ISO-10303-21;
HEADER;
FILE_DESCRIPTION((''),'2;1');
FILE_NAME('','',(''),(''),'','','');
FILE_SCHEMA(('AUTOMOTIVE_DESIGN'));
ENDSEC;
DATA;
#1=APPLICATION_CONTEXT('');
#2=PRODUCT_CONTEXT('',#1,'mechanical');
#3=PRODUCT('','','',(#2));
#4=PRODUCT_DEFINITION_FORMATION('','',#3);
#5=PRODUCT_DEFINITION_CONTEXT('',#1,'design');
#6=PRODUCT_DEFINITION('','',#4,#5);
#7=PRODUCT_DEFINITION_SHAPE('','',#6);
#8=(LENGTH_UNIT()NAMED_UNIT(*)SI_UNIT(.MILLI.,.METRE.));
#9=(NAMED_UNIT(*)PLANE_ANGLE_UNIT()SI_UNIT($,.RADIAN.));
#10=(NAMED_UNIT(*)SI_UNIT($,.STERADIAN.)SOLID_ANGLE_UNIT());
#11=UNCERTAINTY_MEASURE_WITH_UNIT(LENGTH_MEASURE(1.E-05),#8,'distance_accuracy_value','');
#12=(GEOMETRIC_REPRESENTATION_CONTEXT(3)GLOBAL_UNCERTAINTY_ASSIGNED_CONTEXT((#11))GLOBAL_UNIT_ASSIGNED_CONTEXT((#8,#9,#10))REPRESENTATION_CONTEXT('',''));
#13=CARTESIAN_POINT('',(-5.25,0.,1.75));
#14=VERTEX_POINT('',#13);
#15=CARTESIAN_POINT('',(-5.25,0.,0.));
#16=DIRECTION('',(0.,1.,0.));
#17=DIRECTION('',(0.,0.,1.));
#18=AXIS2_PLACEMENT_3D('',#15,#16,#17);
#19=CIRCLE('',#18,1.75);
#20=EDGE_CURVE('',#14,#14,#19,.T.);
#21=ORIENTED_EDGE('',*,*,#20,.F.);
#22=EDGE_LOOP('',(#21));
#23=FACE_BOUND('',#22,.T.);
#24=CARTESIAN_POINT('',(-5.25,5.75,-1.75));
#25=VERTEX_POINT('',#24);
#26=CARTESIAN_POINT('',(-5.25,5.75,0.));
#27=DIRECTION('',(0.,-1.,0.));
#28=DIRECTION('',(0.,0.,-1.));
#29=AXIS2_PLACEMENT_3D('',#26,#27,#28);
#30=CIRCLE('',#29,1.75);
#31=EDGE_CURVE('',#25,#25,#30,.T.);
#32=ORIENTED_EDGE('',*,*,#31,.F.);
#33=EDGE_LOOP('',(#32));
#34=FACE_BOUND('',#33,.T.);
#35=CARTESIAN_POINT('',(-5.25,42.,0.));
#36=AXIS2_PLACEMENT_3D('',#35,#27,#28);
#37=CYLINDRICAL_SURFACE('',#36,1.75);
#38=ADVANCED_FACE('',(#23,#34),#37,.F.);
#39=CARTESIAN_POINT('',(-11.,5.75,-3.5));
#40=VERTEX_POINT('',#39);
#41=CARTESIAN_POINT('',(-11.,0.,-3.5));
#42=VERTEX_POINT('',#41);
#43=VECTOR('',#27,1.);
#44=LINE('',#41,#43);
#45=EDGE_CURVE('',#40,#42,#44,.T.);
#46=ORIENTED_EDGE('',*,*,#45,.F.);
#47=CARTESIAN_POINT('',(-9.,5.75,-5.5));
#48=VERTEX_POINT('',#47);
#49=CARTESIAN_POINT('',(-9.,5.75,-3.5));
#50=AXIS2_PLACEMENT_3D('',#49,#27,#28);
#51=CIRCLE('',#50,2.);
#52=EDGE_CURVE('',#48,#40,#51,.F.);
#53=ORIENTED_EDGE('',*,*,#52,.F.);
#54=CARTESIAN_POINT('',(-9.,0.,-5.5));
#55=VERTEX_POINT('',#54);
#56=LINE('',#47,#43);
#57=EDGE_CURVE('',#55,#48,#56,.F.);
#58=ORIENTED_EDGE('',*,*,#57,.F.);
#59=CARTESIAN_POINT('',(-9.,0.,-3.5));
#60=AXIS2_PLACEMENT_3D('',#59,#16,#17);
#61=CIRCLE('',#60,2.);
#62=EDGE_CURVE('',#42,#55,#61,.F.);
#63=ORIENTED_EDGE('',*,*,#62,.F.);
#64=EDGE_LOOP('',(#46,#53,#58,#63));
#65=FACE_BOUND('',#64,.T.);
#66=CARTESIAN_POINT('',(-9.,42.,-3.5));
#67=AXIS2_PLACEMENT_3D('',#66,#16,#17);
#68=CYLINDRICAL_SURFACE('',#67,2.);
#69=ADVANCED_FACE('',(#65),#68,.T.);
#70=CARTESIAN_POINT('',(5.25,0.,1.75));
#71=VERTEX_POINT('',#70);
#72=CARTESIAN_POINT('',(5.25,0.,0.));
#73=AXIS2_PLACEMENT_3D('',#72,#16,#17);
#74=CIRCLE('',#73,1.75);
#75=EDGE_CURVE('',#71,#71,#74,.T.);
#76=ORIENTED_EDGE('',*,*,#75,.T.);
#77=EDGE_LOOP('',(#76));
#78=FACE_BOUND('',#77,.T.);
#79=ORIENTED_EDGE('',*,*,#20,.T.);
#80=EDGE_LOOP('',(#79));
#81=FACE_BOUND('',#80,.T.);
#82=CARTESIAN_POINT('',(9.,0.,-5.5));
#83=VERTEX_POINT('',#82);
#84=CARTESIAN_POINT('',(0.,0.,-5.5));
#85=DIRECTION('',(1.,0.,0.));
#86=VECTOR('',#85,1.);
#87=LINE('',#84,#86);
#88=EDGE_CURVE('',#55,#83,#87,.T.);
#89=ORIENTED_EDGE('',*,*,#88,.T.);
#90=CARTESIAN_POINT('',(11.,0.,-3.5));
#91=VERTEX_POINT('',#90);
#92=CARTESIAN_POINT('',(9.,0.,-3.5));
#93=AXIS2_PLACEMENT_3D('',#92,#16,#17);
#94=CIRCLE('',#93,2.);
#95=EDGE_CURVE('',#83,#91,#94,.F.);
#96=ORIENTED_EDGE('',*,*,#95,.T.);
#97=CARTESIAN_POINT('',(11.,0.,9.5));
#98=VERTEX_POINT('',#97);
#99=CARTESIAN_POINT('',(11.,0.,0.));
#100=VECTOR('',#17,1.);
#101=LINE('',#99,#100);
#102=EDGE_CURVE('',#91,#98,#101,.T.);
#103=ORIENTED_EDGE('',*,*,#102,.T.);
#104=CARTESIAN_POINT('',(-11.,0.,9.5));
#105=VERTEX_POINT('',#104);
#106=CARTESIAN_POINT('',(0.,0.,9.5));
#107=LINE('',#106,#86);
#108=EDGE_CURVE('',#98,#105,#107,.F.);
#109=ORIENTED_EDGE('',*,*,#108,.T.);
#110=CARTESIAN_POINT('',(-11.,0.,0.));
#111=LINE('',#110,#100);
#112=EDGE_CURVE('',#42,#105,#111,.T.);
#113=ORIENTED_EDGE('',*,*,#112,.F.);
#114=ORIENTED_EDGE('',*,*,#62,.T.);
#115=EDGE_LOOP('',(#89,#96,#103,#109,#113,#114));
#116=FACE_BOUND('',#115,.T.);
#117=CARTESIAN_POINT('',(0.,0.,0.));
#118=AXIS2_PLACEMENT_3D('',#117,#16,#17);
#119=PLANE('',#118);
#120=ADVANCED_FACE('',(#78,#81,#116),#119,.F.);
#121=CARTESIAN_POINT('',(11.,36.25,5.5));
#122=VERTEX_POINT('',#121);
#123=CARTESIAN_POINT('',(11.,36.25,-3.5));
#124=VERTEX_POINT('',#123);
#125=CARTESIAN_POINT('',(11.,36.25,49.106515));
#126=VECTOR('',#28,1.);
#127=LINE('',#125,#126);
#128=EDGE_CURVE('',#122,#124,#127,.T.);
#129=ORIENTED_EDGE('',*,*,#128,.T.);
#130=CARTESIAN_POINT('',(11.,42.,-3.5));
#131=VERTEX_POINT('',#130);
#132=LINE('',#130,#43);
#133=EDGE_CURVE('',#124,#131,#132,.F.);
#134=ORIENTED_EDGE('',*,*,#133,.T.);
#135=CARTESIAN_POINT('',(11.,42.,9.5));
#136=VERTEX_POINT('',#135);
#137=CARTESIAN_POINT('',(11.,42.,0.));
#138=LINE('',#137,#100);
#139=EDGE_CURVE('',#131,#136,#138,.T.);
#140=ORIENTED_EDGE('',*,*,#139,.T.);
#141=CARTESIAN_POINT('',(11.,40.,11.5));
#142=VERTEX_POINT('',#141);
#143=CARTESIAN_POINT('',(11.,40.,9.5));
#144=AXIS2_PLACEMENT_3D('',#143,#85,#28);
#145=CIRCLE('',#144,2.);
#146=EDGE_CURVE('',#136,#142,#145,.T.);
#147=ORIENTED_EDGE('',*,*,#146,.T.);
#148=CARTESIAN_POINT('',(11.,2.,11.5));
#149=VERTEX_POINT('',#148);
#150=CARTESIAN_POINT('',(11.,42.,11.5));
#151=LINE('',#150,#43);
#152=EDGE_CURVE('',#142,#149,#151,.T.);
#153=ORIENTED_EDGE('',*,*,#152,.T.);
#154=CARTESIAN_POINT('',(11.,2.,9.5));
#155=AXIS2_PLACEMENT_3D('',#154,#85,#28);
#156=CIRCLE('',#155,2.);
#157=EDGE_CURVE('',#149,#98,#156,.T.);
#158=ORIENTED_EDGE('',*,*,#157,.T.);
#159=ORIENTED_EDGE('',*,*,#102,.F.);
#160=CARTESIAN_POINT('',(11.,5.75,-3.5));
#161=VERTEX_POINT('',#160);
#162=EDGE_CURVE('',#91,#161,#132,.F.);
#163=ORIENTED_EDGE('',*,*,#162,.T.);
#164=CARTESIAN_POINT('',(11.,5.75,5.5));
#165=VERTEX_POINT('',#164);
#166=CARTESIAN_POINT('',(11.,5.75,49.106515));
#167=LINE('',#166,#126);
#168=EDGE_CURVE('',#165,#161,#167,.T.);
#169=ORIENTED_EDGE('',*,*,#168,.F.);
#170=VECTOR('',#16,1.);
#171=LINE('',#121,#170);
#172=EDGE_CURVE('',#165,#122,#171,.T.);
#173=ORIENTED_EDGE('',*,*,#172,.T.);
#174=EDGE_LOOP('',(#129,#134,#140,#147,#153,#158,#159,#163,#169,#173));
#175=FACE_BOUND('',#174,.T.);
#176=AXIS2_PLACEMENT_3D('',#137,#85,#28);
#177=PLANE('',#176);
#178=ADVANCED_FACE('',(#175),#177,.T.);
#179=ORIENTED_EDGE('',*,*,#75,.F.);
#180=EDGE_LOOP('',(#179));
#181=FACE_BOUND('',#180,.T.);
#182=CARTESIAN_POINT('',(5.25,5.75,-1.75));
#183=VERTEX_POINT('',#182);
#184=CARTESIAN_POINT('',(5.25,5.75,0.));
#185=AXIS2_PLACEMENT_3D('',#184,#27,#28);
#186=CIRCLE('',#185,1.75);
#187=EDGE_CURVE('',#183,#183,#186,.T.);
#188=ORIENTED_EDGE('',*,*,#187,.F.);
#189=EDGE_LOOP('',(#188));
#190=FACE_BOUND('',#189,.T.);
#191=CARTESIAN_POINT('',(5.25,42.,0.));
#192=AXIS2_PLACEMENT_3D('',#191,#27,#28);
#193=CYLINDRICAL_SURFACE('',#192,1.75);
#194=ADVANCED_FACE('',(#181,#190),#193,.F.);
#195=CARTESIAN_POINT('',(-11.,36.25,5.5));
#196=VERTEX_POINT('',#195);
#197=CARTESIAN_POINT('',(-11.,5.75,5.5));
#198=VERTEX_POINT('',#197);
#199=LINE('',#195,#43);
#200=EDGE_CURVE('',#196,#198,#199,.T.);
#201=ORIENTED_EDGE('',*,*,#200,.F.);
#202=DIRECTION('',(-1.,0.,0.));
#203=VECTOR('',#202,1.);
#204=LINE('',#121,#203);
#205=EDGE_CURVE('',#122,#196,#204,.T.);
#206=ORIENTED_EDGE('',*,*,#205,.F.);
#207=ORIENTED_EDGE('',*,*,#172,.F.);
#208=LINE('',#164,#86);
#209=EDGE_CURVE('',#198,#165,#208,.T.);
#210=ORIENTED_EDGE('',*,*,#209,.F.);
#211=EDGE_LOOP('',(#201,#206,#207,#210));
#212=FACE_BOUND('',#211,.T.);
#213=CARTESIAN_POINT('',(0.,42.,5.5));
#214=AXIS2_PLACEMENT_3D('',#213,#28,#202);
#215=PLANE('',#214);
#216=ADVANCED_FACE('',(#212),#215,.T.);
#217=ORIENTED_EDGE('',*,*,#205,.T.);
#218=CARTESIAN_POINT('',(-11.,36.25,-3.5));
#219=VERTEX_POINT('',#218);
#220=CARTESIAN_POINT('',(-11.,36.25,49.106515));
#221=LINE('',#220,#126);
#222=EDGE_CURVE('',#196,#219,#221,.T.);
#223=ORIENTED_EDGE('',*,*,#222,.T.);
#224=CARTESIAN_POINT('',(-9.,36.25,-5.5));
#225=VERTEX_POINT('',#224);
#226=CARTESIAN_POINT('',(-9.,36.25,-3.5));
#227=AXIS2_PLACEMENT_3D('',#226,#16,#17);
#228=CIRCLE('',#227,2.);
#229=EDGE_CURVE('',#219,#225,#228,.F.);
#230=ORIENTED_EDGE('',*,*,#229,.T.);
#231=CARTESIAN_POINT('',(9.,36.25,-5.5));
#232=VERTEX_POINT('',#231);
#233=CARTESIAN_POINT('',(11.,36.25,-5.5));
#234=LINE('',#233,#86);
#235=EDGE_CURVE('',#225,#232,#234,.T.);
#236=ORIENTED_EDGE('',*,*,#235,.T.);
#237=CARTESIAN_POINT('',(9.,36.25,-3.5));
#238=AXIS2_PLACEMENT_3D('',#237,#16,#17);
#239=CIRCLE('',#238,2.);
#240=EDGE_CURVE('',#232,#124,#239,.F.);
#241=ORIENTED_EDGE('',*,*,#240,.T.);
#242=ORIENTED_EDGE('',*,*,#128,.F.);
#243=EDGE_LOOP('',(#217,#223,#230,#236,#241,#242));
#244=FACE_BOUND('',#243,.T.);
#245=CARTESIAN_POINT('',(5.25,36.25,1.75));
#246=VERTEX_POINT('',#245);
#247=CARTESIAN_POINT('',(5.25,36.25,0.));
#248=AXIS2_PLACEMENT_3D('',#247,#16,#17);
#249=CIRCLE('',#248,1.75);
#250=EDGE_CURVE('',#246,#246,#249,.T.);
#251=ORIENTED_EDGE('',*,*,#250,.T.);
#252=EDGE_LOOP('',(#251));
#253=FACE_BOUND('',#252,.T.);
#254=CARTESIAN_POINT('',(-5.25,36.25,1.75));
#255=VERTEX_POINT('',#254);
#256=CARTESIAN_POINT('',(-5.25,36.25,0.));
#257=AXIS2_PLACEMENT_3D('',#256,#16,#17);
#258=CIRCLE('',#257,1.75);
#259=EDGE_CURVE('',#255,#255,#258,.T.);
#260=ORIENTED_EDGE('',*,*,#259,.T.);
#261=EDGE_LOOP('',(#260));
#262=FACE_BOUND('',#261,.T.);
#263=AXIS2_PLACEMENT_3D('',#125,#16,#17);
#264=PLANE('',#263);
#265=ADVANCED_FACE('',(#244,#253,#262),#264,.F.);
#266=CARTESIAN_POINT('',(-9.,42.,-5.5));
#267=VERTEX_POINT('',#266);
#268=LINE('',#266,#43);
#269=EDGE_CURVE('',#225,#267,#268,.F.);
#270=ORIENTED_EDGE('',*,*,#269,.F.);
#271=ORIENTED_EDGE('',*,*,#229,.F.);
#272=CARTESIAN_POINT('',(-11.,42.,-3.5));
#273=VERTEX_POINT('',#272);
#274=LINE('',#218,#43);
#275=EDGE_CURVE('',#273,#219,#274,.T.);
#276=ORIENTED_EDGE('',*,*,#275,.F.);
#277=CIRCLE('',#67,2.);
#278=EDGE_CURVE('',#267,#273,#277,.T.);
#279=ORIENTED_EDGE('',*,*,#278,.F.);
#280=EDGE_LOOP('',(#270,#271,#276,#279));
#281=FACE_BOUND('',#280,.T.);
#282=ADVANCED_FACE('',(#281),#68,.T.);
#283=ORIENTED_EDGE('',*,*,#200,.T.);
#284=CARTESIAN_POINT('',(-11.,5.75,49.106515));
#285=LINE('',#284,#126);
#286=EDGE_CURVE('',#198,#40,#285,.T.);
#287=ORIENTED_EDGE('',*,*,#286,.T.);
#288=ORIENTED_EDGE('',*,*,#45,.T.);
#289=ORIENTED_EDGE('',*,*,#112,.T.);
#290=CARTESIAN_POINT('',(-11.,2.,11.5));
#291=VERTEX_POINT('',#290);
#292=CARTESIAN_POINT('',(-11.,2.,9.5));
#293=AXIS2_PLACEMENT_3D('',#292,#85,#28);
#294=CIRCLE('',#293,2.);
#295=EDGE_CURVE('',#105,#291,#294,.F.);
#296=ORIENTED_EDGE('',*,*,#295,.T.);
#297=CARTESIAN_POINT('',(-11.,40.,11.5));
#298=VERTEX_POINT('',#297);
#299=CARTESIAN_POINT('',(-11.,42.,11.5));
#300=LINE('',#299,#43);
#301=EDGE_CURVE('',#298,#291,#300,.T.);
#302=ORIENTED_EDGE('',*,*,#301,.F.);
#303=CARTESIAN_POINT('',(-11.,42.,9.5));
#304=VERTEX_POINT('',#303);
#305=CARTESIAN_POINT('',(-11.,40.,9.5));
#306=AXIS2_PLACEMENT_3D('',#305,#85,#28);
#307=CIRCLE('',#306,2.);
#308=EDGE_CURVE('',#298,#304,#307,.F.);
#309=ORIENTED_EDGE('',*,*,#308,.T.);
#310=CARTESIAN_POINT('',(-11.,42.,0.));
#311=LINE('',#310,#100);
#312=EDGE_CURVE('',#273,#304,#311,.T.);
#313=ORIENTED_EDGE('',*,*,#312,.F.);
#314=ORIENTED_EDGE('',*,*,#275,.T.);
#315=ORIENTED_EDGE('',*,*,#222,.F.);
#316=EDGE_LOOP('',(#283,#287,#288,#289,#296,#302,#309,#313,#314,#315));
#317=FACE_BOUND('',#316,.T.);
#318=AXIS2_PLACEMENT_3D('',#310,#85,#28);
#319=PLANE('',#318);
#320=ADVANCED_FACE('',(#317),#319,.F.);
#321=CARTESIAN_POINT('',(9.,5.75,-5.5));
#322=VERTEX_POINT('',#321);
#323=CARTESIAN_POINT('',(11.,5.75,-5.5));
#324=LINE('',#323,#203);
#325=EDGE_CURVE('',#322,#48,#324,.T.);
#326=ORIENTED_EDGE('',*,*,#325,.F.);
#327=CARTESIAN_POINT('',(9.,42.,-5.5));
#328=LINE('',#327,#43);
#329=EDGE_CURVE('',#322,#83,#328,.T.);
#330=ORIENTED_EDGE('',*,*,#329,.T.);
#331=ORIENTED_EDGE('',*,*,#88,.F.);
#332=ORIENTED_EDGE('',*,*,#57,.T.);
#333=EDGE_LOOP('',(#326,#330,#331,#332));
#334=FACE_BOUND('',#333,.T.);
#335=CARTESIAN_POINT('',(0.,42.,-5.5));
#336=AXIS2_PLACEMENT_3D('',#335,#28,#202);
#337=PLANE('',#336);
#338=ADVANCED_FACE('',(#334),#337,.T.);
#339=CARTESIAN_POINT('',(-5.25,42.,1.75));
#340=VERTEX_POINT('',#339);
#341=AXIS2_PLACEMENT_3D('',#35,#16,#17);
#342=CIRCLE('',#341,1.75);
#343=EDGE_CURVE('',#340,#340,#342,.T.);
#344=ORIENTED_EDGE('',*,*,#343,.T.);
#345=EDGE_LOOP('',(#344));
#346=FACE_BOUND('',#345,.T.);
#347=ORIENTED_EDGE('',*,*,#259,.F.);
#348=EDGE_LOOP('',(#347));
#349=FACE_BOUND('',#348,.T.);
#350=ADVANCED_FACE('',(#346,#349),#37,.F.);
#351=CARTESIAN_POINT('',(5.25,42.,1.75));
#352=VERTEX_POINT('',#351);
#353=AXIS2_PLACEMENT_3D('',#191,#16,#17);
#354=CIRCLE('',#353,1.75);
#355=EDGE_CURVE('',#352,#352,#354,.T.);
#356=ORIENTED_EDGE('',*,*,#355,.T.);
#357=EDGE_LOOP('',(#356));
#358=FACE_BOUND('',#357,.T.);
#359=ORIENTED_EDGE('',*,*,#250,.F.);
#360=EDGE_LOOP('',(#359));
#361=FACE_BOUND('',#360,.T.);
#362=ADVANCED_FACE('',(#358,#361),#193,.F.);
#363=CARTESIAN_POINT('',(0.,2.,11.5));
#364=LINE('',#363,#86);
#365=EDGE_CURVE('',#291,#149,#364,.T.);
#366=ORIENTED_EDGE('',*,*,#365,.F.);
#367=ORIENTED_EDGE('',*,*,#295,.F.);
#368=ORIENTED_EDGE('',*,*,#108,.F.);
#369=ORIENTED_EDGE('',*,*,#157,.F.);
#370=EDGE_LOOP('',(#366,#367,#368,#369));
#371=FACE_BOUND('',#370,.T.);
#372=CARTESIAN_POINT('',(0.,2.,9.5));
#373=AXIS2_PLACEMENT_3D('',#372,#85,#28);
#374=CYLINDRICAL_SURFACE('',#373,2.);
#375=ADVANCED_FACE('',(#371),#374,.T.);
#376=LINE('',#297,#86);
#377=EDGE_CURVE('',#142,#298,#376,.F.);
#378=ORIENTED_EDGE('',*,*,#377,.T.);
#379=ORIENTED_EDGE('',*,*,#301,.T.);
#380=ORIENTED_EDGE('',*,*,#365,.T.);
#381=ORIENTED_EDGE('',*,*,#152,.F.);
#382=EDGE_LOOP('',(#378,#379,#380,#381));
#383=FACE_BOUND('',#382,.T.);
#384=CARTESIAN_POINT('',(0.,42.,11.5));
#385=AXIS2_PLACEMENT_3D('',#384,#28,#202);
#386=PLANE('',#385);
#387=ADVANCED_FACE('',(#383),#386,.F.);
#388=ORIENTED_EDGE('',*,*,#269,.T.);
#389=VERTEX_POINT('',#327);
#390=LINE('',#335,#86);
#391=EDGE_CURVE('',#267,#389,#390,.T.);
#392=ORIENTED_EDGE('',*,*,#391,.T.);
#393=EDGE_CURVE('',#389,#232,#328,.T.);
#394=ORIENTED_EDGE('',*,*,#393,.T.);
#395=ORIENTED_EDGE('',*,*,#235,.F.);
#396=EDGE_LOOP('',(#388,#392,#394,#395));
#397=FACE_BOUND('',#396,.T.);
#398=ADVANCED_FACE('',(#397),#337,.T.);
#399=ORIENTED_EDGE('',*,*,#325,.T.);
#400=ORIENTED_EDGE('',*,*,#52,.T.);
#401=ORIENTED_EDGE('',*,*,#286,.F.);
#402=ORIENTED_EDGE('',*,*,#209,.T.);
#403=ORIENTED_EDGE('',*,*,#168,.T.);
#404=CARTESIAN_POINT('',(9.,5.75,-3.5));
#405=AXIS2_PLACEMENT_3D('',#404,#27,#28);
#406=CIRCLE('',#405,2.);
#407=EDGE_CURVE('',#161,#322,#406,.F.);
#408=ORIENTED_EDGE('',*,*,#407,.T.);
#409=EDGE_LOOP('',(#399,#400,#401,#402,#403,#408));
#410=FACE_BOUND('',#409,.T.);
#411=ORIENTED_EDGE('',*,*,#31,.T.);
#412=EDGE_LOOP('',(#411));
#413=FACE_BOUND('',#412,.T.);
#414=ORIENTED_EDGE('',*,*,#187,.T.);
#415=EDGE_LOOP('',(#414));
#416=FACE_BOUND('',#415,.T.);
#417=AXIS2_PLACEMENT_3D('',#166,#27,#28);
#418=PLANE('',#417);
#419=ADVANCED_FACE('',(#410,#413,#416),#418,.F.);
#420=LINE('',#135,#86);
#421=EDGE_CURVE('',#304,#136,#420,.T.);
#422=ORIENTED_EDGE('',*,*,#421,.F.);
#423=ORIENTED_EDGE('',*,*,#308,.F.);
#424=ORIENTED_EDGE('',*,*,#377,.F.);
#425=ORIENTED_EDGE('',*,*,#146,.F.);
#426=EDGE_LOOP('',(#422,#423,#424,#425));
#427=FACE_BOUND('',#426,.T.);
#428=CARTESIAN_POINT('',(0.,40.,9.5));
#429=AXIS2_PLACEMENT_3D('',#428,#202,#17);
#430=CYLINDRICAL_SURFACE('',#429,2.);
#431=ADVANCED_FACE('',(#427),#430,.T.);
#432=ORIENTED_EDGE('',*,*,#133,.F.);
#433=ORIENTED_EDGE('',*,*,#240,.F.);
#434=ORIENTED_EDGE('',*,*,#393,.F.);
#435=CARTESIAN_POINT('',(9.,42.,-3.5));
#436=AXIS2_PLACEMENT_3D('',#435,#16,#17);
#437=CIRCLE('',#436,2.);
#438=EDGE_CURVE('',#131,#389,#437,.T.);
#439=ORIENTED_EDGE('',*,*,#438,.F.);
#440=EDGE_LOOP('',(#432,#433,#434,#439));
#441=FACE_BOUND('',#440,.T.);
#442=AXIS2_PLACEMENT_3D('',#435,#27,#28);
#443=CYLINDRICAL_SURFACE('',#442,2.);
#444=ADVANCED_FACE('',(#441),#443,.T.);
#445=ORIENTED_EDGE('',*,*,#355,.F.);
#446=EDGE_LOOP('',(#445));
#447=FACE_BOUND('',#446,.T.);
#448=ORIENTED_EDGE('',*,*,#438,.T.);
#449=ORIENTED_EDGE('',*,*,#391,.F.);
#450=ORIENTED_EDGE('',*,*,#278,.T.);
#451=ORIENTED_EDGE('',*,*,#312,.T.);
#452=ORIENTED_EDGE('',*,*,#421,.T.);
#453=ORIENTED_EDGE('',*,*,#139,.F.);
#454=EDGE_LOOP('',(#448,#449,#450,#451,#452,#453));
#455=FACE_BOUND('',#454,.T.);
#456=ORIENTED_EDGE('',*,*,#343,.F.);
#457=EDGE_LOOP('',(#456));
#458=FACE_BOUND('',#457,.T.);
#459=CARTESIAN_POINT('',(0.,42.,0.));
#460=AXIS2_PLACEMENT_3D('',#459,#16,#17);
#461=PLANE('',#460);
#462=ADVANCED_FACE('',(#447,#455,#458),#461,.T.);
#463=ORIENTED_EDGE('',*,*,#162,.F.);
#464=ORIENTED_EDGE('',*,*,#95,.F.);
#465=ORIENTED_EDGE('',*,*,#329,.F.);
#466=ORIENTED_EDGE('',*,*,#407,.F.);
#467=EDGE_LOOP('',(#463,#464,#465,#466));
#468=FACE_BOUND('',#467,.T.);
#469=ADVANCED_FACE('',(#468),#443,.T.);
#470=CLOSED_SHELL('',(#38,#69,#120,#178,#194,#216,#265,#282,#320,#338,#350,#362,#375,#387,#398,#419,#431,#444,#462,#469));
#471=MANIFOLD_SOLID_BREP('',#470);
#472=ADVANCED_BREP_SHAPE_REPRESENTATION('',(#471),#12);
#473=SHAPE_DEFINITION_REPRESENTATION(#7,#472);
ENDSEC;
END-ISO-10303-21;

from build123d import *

# Parameters (mm, degrees)
SKETCH1_W           = 22
SKETCH1_H           = 6
SKETCH1_H_2         = 11
SKETCH1_R           = 1.75
BOSS_EXTRUDE1_DEPTH = 42
SKETCH2_W           = 22
SKETCH2_H           = 30.5
CUT_EXTRUDE1_DEPTH  = 11
FILLET1_R           = 2


with BuildPart() as part:
    # Sketch1 → Boss-Extrude1 (new body)
    with BuildSketch(Plane(origin=(0, 0, 0), x_dir=(1, 0, 0), z_dir=(0, 1, 0))):
        with Locations((0, -8.5)):
            Rectangle(SKETCH1_W, SKETCH1_H)
        Rectangle(SKETCH1_W, SKETCH1_H_2)
        with Locations((5.25, 0)):
            Circle(SKETCH1_R, mode=Mode.SUBTRACT)
        with Locations((-5.25, 0)):
            Circle(SKETCH1_R, mode=Mode.SUBTRACT)
    extrude(amount=BOSS_EXTRUDE1_DEPTH)

    # Sketch2 → Cut-Extrude1 (cut)
    with BuildSketch(Plane(origin=(0, 0, -5.5), x_dir=(-1, 0, 0), z_dir=(0, 0, -1))):
        with Locations((0, 21)):
            Rectangle(SKETCH2_W, SKETCH2_H)
    extrude(amount=-CUT_EXTRUDE1_DEPTH, mode=Mode.SUBTRACT)

    # Fillet1
    fillet1_edges = [part.edges().sort_by_distance(p)[0] for p in [
        (0, 0, 11.5),
        (-11, 39.125, -5.5),
        (11, 39.125, -5.5),
        (-11, 2.875, -5.5),
        (11, 2.875, -5.5),
        (0, 42, 11.5),
    ]]
    fillet(fillet1_edges, radius=FILLET1_R)


solid = part.part
